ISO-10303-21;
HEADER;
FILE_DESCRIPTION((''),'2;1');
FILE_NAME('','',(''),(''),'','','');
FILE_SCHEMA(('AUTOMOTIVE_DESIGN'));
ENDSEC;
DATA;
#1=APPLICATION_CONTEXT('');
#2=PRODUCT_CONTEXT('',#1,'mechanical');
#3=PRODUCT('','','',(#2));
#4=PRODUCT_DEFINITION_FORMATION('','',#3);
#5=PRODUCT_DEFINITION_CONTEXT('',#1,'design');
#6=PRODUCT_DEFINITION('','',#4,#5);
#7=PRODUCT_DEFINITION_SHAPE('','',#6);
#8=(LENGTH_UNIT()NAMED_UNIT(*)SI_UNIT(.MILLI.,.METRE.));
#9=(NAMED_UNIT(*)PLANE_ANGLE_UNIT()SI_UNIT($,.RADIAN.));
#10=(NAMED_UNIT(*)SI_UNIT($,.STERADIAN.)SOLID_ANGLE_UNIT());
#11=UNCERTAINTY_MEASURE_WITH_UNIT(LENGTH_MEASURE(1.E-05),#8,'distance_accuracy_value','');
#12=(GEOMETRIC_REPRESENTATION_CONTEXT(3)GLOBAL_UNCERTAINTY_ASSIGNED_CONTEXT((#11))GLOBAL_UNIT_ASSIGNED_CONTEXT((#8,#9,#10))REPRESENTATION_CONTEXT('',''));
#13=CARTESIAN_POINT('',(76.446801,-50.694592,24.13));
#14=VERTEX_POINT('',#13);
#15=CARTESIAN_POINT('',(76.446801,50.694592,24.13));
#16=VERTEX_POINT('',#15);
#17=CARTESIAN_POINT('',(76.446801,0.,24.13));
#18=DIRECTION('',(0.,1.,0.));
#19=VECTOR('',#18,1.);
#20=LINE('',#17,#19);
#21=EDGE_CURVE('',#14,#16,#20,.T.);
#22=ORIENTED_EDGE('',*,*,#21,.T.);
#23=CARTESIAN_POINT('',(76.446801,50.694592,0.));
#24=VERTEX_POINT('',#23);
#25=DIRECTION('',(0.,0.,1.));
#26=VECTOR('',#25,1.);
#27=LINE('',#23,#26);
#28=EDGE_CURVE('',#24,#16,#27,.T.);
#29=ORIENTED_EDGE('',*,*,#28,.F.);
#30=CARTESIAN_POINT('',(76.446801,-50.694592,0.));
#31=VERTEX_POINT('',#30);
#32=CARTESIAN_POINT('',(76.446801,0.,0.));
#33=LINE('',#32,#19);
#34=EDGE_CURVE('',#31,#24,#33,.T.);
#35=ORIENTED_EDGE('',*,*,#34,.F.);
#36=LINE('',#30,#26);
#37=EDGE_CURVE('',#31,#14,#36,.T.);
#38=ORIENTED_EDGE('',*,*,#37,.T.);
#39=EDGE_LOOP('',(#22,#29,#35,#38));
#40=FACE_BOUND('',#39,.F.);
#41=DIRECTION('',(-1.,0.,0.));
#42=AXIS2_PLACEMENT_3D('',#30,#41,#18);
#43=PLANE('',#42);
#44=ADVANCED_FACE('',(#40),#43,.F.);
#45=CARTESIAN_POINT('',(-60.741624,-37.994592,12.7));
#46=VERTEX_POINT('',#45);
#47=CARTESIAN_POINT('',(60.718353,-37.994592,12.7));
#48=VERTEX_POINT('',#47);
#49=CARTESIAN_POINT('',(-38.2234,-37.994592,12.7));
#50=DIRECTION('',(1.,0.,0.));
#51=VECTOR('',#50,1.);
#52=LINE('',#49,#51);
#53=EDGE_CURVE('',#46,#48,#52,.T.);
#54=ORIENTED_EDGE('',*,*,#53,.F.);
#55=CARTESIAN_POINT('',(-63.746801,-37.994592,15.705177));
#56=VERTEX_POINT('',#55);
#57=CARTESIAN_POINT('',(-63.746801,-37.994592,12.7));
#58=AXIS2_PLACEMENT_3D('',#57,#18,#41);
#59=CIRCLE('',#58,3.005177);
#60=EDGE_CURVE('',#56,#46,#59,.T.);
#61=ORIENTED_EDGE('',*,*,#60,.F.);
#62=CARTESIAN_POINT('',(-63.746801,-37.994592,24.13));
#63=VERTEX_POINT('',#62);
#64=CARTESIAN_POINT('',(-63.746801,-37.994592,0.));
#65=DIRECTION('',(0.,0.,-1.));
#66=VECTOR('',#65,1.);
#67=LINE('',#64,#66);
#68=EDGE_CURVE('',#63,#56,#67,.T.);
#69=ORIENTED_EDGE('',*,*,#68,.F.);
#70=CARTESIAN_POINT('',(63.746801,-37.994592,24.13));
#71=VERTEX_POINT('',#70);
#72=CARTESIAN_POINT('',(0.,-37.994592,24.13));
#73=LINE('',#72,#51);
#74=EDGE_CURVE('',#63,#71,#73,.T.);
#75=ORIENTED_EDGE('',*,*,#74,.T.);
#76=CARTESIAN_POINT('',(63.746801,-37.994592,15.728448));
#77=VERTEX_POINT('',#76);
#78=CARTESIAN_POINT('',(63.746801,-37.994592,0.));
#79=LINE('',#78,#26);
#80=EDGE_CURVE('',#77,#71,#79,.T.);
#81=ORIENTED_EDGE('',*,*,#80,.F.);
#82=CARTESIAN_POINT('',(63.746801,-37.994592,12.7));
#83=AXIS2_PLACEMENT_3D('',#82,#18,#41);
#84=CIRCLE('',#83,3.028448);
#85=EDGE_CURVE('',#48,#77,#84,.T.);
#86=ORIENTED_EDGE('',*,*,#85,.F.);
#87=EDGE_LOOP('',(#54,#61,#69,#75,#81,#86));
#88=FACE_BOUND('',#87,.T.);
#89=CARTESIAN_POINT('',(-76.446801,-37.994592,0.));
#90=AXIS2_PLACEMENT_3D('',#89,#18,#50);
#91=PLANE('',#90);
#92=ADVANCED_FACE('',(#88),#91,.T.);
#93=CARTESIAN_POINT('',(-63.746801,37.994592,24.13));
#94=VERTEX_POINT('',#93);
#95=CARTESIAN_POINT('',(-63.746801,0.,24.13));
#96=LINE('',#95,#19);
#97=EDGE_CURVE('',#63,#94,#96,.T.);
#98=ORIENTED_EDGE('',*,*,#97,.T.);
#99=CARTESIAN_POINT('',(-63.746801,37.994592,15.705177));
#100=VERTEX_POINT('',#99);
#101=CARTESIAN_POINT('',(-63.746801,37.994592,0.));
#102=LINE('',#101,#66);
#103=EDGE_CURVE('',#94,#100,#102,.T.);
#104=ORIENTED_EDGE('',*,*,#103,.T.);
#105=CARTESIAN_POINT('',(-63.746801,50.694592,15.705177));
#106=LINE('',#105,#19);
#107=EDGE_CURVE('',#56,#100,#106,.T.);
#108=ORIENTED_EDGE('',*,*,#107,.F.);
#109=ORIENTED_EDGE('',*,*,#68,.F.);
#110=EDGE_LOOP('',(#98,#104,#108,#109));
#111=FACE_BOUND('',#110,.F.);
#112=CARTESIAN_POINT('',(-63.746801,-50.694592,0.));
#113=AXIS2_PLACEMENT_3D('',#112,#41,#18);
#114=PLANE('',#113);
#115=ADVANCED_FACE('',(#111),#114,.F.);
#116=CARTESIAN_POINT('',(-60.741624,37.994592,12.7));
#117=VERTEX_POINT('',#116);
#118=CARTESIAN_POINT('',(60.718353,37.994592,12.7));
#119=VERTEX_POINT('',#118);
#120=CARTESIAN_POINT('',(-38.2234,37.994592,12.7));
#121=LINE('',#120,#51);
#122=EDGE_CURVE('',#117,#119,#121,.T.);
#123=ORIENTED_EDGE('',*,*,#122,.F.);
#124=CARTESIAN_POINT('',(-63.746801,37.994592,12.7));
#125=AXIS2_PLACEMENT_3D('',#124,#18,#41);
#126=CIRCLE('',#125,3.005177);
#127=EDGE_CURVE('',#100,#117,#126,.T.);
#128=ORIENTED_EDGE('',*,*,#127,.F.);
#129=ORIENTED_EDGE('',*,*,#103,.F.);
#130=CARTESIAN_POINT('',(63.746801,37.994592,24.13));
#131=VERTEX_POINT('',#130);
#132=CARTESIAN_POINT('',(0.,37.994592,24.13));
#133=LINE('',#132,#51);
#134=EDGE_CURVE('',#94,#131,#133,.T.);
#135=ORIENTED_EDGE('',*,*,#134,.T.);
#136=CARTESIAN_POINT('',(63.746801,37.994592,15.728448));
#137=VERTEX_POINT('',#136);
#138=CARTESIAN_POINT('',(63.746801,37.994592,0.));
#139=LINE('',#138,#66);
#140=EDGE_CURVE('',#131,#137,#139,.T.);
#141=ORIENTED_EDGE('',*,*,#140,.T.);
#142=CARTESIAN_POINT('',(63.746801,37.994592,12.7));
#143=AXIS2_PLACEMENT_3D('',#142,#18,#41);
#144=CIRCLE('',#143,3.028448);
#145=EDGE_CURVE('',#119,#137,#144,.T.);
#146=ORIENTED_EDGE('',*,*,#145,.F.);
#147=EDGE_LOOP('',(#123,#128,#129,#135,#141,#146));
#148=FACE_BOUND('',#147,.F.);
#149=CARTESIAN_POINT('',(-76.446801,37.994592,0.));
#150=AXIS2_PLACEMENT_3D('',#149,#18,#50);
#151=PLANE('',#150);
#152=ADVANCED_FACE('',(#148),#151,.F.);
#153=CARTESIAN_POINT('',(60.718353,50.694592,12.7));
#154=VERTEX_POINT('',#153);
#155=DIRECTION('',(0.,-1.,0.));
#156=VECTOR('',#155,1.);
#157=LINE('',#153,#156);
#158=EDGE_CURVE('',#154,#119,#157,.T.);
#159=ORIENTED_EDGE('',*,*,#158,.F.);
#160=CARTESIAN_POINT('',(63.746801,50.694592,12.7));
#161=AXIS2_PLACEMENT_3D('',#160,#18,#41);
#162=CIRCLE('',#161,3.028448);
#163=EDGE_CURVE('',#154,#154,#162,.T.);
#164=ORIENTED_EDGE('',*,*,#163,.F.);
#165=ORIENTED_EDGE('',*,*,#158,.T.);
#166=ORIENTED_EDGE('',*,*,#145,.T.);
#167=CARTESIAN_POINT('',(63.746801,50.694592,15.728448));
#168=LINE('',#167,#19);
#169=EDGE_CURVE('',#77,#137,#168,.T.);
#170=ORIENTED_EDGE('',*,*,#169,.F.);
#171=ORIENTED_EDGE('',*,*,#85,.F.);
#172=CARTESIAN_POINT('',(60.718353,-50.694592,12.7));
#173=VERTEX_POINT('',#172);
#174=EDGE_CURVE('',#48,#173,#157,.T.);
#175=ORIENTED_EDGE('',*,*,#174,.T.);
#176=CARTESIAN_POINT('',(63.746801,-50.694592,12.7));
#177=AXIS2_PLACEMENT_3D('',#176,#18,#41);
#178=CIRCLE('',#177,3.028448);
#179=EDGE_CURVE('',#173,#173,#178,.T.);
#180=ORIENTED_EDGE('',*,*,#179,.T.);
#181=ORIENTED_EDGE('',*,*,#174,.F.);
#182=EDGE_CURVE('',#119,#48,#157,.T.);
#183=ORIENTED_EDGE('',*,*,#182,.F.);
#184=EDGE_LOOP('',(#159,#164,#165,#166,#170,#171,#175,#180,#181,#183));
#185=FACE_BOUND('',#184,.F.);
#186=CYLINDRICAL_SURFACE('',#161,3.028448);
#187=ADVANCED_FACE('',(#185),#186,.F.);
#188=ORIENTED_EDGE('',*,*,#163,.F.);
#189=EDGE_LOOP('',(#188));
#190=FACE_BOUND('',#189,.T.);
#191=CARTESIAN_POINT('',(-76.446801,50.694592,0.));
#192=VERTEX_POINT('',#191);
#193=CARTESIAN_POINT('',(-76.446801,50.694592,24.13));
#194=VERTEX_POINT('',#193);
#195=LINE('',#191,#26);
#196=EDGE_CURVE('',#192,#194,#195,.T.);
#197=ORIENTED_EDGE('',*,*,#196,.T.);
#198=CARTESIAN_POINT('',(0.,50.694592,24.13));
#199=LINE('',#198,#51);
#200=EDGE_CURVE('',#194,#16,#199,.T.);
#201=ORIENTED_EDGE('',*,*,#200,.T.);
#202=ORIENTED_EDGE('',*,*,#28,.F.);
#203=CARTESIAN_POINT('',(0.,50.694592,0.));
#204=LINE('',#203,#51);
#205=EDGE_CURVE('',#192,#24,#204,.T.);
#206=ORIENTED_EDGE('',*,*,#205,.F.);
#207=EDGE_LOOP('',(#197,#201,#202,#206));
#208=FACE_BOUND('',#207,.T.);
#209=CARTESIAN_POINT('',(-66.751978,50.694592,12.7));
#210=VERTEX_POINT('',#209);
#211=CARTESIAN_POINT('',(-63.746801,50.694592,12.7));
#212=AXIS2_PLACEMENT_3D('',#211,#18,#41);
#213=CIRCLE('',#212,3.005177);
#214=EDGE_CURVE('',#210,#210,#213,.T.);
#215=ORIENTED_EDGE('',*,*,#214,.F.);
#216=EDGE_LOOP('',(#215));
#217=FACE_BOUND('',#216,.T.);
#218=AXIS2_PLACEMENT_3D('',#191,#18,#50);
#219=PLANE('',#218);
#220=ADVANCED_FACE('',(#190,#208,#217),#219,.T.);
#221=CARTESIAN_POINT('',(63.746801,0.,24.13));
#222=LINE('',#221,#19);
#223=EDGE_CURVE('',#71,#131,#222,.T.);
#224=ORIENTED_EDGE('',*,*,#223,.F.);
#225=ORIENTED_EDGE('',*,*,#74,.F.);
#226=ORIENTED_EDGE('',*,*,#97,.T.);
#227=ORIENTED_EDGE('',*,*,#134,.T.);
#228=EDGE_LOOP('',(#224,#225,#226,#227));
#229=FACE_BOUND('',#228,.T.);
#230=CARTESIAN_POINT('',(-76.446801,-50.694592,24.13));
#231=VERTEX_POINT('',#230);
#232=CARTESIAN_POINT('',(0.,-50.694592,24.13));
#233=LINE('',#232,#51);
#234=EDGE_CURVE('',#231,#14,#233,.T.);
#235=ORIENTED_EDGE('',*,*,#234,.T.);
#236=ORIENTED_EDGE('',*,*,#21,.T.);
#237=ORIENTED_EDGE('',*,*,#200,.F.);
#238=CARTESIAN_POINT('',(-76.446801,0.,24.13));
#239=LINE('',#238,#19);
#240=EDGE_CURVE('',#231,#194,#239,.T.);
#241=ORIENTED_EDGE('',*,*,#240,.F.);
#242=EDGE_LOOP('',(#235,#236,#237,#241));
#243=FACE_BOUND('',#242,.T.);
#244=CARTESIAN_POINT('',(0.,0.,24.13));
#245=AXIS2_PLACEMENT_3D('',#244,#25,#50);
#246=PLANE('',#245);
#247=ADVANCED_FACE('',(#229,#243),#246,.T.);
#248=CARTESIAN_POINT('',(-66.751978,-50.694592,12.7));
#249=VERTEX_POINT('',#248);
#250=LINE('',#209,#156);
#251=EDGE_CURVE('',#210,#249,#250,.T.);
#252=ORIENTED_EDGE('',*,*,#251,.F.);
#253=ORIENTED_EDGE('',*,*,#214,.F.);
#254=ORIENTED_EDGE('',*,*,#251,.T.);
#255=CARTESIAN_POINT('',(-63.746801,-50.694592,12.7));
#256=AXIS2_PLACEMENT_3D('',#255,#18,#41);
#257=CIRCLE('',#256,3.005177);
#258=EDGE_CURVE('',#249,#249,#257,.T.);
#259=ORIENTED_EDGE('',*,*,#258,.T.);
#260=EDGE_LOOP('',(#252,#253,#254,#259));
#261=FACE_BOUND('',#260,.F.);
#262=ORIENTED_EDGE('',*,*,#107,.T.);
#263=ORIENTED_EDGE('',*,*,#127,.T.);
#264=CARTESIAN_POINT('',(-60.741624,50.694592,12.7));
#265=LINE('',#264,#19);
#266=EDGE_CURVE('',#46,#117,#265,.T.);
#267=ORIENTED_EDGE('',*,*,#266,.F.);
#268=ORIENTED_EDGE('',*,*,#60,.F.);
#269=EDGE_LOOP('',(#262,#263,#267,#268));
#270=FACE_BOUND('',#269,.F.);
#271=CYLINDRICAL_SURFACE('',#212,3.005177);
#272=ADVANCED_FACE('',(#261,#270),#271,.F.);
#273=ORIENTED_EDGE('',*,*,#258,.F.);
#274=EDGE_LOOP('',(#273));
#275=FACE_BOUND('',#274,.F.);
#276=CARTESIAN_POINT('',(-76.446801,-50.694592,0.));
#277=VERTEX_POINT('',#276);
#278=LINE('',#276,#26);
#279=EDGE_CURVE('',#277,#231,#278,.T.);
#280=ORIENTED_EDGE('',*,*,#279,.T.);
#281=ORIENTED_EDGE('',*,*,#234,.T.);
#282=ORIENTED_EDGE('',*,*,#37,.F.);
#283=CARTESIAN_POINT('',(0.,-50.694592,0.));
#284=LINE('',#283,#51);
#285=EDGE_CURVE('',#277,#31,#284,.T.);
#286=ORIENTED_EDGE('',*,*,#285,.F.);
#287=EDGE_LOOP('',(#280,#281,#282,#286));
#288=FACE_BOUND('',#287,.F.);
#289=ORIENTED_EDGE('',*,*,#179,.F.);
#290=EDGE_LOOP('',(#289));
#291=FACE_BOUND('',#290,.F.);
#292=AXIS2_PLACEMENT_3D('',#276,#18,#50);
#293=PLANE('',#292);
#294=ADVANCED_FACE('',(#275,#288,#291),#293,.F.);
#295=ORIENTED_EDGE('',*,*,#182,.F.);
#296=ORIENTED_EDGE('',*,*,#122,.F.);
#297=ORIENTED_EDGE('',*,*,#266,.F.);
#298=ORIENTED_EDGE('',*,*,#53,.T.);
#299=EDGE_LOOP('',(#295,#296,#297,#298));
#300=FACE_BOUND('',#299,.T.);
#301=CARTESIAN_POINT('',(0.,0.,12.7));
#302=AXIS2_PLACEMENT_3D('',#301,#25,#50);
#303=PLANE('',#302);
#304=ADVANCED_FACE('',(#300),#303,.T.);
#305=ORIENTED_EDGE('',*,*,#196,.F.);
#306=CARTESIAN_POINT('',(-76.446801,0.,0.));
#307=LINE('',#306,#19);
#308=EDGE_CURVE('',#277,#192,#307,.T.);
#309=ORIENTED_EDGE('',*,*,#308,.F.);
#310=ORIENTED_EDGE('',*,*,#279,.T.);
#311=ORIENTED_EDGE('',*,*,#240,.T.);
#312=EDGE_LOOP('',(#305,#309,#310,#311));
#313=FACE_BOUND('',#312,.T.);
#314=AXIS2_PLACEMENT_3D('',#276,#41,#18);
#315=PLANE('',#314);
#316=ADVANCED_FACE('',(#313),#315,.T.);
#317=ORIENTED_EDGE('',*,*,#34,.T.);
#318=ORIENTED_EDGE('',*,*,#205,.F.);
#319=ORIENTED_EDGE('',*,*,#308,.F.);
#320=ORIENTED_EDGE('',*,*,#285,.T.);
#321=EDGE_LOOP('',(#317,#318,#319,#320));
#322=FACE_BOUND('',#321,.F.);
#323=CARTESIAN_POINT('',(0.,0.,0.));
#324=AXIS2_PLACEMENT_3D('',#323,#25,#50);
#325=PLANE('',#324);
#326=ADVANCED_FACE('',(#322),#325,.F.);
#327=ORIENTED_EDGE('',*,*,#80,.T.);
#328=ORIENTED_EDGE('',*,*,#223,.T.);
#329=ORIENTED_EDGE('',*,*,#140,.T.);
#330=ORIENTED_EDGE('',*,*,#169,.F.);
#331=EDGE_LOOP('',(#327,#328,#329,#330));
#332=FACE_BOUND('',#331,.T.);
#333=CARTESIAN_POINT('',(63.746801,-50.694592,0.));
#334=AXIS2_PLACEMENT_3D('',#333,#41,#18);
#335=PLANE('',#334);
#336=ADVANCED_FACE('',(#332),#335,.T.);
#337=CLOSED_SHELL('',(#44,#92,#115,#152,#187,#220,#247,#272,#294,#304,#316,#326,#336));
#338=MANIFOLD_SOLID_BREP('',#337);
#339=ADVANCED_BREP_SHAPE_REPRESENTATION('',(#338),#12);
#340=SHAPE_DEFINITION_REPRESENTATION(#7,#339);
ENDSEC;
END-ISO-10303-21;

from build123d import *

# Parameters (mm, degrees)
F0_W     = 152.893602
F0_H     = 101.389184
F1_DEPTH = 24.13
F2_T     = -12.7
F3_R     = 3.028448
F3_R_2   = 3.005177
F4_DEPTH = 101.389185


with BuildPart() as f1:
    # F0 (on Top) → F1 (new body)
    with BuildSketch(Plane.XY):
        Rectangle(F0_W, F0_H)
    extrude(amount=F1_DEPTH)

    # F2
    f2_openings = [f1.faces().sort_by_distance(p)[0] for p in [
        (0, 0, 24.13),
    ]]
    offset(amount=F2_T, openings=f2_openings)

    # F3 (on face) → F4 (cut, through all)
    with BuildSketch(Plane(origin=(0, 50.694592, 0), x_dir=(-1, 0, 0), z_dir=(0, 1, 0))):
        with Locations((-63.746801, 12.7)):
            Circle(F3_R)
        with Locations((63.746801, 12.7)):
            Circle(F3_R_2)
    extrude(amount=-F4_DEPTH, mode=Mode.SUBTRACT)


solid = f1.part
